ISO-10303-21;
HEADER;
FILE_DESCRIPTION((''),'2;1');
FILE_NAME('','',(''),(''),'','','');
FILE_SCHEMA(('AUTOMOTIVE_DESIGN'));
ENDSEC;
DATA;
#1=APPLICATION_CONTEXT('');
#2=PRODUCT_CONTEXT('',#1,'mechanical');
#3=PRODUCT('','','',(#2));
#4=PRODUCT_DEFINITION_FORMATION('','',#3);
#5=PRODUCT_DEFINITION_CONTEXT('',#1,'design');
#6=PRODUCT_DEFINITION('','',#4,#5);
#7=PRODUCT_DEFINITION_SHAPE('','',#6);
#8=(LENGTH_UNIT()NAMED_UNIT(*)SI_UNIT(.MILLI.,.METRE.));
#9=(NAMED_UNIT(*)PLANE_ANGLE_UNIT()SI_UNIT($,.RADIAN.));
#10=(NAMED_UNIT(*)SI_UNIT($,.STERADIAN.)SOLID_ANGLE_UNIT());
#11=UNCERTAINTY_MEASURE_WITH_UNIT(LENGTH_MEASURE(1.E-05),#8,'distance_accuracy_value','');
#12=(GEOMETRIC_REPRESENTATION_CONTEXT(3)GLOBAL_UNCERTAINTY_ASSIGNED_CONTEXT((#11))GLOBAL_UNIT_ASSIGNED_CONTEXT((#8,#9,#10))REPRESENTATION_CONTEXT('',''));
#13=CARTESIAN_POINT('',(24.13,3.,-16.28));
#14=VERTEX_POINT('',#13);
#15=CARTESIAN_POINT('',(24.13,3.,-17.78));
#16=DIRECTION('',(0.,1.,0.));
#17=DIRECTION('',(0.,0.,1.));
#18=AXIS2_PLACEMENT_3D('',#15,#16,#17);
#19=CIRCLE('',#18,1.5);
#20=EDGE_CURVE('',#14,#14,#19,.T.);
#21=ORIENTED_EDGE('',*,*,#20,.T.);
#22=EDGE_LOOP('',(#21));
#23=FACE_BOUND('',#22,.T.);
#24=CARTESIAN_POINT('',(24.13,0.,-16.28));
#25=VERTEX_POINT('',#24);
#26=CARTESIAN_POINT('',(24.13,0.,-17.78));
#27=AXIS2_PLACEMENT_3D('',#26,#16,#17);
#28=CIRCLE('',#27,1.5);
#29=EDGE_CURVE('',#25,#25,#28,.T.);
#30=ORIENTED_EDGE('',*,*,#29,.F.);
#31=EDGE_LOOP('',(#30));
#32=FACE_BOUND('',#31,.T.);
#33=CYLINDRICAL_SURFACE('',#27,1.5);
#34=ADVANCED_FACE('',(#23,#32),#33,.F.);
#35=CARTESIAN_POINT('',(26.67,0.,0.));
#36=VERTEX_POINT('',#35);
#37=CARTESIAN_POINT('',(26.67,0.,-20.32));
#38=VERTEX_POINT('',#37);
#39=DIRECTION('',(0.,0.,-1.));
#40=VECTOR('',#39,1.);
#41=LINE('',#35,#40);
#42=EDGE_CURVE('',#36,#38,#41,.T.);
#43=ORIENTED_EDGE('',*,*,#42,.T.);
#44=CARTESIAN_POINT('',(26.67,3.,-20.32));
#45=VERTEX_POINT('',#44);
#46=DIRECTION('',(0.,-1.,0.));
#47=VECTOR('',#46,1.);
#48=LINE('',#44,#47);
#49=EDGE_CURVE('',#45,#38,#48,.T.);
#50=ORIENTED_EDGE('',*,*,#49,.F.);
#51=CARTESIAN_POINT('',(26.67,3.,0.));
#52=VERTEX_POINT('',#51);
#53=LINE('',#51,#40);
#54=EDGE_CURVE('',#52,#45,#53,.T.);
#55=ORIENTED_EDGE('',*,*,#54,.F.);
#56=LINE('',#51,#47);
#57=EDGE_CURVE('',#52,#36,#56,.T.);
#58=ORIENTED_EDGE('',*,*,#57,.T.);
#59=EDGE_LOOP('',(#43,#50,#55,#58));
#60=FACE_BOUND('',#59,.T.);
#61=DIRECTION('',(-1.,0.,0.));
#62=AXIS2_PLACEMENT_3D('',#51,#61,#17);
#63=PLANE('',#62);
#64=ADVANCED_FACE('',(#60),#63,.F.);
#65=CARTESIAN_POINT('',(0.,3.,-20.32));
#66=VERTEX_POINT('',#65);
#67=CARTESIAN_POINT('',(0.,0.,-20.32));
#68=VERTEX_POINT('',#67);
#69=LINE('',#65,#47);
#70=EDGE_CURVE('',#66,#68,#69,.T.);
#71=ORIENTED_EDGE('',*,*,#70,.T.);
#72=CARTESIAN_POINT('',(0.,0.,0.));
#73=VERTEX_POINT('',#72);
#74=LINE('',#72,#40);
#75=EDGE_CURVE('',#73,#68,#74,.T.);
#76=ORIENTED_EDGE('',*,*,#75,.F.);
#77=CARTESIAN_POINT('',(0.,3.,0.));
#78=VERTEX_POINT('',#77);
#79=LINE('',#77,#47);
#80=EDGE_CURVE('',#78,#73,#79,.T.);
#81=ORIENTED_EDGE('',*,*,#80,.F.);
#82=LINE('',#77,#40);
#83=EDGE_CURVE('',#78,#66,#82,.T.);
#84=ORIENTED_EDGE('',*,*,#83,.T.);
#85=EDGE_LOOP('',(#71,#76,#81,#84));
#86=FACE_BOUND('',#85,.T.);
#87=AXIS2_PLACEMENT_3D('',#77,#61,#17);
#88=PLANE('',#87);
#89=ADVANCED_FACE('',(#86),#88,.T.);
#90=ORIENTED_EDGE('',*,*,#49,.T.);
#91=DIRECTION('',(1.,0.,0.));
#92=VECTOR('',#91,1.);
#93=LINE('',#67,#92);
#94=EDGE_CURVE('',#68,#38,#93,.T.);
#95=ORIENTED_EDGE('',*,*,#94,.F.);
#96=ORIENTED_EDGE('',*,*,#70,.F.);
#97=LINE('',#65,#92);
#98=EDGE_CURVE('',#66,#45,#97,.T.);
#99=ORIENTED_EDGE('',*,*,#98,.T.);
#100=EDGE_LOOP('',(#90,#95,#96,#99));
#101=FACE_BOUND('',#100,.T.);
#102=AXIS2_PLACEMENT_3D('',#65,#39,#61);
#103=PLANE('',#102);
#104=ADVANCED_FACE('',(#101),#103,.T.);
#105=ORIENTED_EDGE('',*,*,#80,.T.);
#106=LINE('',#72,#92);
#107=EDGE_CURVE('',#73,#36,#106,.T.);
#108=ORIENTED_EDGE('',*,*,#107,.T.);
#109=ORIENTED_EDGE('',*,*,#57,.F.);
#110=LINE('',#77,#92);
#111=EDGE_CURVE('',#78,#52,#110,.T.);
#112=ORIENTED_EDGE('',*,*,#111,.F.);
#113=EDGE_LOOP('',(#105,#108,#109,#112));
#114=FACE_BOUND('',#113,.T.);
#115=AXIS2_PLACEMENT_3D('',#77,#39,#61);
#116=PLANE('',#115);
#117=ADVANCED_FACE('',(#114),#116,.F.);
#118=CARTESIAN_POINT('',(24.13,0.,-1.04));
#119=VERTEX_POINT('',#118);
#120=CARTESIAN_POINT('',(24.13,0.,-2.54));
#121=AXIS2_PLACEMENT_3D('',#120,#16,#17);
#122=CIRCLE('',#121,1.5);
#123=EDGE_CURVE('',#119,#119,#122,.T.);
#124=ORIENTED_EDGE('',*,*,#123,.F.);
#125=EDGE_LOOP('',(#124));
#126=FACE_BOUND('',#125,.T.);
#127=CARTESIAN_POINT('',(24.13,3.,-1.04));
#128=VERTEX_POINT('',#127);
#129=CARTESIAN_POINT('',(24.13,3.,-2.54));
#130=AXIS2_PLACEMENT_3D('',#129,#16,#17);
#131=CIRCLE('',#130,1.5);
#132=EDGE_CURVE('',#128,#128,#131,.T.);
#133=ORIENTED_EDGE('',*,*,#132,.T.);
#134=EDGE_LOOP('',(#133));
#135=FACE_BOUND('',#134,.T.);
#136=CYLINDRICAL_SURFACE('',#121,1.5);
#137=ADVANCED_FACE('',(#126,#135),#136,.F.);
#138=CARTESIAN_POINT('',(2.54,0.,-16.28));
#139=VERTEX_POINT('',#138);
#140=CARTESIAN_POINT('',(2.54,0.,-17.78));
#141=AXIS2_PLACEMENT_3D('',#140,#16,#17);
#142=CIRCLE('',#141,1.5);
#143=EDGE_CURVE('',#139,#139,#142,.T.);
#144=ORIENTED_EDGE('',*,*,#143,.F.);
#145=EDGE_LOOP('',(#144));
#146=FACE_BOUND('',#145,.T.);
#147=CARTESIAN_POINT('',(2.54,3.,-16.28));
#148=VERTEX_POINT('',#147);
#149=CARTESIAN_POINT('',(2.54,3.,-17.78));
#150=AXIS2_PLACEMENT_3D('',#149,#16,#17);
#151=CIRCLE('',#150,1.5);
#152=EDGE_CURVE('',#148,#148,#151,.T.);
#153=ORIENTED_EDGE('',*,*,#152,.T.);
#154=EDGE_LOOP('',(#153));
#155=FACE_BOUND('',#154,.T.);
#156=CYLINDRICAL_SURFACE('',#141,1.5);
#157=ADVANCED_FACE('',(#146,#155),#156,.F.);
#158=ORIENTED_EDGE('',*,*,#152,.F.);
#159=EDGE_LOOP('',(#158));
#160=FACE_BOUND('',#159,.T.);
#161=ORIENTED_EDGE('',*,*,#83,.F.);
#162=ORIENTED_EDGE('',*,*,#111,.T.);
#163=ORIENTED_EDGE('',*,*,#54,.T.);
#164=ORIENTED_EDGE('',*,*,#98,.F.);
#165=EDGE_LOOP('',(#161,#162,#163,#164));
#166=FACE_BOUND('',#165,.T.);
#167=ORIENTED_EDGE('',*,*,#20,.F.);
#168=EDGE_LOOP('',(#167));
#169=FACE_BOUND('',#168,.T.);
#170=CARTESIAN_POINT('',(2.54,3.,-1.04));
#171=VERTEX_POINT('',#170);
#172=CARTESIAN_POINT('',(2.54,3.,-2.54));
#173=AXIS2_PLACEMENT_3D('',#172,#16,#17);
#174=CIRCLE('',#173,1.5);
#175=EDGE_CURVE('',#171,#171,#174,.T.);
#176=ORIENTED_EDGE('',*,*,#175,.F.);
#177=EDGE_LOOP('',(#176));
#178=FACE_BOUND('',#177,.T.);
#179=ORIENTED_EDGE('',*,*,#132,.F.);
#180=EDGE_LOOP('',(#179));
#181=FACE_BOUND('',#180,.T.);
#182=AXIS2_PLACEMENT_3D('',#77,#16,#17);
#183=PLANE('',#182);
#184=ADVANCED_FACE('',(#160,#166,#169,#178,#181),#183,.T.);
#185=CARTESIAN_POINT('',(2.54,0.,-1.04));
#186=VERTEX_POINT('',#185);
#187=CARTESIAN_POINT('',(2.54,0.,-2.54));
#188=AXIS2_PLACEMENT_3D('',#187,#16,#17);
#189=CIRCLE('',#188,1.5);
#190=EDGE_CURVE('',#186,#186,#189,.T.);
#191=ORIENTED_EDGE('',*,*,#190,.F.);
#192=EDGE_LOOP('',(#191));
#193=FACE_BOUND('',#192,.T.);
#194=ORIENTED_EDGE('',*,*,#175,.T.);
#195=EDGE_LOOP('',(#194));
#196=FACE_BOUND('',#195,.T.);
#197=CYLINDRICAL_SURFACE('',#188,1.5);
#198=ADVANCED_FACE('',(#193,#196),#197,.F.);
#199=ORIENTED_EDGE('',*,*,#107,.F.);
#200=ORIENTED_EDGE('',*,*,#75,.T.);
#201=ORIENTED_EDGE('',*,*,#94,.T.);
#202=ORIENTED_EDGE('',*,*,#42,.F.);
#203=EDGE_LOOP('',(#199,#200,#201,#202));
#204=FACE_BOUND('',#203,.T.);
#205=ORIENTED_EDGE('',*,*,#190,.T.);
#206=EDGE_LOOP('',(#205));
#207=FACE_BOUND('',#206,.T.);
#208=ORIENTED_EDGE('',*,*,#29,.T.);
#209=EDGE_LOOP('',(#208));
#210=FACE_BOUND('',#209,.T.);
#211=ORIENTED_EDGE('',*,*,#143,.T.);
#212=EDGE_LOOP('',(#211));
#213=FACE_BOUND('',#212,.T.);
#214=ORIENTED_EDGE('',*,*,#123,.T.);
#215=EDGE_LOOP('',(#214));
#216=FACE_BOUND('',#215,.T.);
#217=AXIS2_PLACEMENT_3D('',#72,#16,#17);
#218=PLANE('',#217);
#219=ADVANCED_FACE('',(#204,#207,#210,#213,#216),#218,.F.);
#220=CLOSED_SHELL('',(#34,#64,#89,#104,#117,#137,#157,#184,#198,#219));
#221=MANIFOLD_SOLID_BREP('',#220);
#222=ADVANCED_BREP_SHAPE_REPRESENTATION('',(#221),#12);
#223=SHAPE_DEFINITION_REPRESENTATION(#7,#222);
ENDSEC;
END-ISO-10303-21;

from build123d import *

# Parameters (mm, degrees)
CROQUIS1_W              = 26.67
CROQUIS1_H              = 20.32
SALIENTE_EXTRUIR1_DEPTH = 3
CROQUIS2_R              = 1.5
CORTAR_EXTRUIR1_DEPTH   = 34.662906886


with BuildPart() as part:
    # Croquis1 → Saliente-Extruir1 (new body)
    with BuildSketch(Plane(origin=(0, 0, 0), x_dir=(1, 0, 0), z_dir=(0, 1, 0))):
        with Locations((13.335, 10.16)):
            Rectangle(CROQUIS1_W, CROQUIS1_H)
    extrude(amount=SALIENTE_EXTRUIR1_DEPTH)

    # Croquis2 → Cortar-Extruir1 (cut, through all)
    with BuildSketch(Plane(origin=(0, 3, 0), x_dir=(1, 0, 0), z_dir=(0, 1, 0))):
        with Locations(Location((24.13, 2.54, 0), (0, 0, 270))):
            Circle(CROQUIS2_R)
        with Locations(Location((2.54, 2.54, 0), (0, 0, 270))):
            Circle(CROQUIS2_R)
        with Locations(Location((2.54, 17.78, 0), (0, 0, 270))):
            Circle(CROQUIS2_R)
        with Locations(Location((24.13, 17.78, 0), (0, 0, 270))):
            Circle(CROQUIS2_R)
    extrude(amount=-CORTAR_EXTRUIR1_DEPTH, mode=Mode.SUBTRACT)


solid = part.part
